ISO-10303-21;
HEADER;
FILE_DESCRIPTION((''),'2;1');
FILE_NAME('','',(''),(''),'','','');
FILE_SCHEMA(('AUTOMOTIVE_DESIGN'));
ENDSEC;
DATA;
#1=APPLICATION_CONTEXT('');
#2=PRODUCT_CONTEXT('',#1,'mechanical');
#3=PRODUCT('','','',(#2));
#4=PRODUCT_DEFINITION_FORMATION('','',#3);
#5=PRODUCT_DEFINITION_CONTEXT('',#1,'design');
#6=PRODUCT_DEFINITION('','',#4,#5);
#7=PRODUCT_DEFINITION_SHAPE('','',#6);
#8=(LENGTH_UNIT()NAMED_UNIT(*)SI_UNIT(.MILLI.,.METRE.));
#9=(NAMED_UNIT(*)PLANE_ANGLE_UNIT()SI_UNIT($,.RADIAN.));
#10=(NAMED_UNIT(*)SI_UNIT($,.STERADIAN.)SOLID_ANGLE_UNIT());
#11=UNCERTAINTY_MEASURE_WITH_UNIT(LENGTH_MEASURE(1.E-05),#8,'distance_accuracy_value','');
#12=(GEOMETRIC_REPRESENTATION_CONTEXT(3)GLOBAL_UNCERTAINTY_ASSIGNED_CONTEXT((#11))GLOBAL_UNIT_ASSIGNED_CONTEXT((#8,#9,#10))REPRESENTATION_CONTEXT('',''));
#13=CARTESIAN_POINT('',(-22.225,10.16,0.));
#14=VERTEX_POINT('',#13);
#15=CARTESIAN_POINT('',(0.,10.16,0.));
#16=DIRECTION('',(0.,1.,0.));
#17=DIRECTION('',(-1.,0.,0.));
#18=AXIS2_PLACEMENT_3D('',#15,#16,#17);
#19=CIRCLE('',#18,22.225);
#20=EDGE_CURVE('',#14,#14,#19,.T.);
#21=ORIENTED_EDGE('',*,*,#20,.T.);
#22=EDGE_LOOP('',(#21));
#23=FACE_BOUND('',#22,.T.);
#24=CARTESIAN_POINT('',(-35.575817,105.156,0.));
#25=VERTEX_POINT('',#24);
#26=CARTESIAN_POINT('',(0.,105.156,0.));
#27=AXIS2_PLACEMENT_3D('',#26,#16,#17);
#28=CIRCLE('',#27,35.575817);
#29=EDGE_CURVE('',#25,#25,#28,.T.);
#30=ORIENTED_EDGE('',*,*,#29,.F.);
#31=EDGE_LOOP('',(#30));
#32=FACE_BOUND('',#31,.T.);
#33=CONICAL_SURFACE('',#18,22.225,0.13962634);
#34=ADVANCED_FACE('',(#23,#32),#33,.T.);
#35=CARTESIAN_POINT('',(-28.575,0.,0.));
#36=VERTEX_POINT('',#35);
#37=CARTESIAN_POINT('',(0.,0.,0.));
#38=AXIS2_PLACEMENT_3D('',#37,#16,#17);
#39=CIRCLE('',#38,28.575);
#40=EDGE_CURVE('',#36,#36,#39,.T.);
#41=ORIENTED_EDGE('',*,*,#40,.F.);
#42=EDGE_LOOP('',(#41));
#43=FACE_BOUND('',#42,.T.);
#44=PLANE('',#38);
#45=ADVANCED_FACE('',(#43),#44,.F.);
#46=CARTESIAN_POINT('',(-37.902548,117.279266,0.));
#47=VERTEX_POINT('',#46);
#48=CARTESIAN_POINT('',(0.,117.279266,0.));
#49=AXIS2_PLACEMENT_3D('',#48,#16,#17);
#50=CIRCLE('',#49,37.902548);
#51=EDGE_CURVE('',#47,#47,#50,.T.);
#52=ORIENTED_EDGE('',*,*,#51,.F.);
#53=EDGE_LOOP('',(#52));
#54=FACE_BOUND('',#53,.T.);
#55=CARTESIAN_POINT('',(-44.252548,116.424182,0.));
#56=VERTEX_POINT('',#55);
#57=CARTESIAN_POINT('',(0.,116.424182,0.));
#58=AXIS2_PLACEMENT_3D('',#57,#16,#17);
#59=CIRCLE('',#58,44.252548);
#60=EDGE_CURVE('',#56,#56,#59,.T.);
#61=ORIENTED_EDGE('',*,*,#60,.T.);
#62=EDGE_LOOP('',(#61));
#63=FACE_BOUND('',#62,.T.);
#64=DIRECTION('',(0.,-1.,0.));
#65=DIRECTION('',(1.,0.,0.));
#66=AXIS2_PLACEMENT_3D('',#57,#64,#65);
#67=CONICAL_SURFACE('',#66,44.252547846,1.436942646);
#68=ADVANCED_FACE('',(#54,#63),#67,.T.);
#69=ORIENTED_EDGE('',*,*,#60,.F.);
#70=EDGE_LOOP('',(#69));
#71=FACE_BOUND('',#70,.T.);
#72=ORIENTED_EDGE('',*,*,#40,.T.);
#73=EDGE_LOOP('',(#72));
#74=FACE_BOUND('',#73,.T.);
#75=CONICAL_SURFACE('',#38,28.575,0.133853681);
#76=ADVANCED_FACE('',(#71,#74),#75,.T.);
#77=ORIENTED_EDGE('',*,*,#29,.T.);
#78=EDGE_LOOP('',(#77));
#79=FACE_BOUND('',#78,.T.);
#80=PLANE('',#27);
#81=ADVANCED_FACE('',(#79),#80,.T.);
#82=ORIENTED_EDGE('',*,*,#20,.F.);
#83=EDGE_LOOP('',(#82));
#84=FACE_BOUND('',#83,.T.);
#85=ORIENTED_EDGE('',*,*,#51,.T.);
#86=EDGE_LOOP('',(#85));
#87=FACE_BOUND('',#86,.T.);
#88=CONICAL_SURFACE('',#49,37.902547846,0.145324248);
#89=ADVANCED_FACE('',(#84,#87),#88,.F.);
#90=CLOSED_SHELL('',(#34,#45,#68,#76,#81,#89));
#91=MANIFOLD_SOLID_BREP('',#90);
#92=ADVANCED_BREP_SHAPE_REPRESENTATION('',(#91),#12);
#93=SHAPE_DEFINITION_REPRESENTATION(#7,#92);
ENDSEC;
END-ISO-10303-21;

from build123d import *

# Parameters (mm, degrees)
SKETCH2_R           = 22.225
BOSS_EXTRUDE1_DEPTH = 94.996
BOSS_EXTRUDE1_DRAFT = -8


with BuildPart() as part:
    # Sketch1 → Revolve4 (revolve)
    with BuildSketch(Plane.XY, mode=Mode.PRIVATE) as revolve4_sk:
        Polygon((0, 0), (28.575, 0), (44.252547846, 116.424181846), (37.902547846, 117.27926562), (22.225, 10.16), (0, 10.16), align=None)
    revolve(revolve4_sk.sketch.rotate(Axis((0, 10.16, 0), (0, -1, 0)), 180), axis=Axis((0, 10.16, 0), (0, -1, 0)))


with BuildPart() as boss_extrude1_tool:
    # Sketch2 → Boss-Extrude1 (with draft: the straight prism first)
    with BuildSketch(Plane(origin=(0, 10.16, 0), x_dir=(1, 0, 0), z_dir=(0, 1, 0))):
        Circle(SKETCH2_R)
    extrude(amount=BOSS_EXTRUDE1_DEPTH)
    # Boss-Extrude1: the draft: its side faces are tilted about the plane it starts from
    boss_extrude1_sides = [boss_extrude1_tool.faces().sort_by_distance(p)[0] for p in [
        (-22.225, 57.658, 0),
    ]]
    draft(boss_extrude1_sides, Plane(origin=(0, 10.16, 0), x_dir=(1, 0, 0), z_dir=(0, 1, 0)), BOSS_EXTRUDE1_DRAFT)


with BuildPart() as part_1:
    add(part.part)

    # Boss-Extrude1: add boss_extrude1_tool
    add(boss_extrude1_tool.part)


solid = part_1.part
